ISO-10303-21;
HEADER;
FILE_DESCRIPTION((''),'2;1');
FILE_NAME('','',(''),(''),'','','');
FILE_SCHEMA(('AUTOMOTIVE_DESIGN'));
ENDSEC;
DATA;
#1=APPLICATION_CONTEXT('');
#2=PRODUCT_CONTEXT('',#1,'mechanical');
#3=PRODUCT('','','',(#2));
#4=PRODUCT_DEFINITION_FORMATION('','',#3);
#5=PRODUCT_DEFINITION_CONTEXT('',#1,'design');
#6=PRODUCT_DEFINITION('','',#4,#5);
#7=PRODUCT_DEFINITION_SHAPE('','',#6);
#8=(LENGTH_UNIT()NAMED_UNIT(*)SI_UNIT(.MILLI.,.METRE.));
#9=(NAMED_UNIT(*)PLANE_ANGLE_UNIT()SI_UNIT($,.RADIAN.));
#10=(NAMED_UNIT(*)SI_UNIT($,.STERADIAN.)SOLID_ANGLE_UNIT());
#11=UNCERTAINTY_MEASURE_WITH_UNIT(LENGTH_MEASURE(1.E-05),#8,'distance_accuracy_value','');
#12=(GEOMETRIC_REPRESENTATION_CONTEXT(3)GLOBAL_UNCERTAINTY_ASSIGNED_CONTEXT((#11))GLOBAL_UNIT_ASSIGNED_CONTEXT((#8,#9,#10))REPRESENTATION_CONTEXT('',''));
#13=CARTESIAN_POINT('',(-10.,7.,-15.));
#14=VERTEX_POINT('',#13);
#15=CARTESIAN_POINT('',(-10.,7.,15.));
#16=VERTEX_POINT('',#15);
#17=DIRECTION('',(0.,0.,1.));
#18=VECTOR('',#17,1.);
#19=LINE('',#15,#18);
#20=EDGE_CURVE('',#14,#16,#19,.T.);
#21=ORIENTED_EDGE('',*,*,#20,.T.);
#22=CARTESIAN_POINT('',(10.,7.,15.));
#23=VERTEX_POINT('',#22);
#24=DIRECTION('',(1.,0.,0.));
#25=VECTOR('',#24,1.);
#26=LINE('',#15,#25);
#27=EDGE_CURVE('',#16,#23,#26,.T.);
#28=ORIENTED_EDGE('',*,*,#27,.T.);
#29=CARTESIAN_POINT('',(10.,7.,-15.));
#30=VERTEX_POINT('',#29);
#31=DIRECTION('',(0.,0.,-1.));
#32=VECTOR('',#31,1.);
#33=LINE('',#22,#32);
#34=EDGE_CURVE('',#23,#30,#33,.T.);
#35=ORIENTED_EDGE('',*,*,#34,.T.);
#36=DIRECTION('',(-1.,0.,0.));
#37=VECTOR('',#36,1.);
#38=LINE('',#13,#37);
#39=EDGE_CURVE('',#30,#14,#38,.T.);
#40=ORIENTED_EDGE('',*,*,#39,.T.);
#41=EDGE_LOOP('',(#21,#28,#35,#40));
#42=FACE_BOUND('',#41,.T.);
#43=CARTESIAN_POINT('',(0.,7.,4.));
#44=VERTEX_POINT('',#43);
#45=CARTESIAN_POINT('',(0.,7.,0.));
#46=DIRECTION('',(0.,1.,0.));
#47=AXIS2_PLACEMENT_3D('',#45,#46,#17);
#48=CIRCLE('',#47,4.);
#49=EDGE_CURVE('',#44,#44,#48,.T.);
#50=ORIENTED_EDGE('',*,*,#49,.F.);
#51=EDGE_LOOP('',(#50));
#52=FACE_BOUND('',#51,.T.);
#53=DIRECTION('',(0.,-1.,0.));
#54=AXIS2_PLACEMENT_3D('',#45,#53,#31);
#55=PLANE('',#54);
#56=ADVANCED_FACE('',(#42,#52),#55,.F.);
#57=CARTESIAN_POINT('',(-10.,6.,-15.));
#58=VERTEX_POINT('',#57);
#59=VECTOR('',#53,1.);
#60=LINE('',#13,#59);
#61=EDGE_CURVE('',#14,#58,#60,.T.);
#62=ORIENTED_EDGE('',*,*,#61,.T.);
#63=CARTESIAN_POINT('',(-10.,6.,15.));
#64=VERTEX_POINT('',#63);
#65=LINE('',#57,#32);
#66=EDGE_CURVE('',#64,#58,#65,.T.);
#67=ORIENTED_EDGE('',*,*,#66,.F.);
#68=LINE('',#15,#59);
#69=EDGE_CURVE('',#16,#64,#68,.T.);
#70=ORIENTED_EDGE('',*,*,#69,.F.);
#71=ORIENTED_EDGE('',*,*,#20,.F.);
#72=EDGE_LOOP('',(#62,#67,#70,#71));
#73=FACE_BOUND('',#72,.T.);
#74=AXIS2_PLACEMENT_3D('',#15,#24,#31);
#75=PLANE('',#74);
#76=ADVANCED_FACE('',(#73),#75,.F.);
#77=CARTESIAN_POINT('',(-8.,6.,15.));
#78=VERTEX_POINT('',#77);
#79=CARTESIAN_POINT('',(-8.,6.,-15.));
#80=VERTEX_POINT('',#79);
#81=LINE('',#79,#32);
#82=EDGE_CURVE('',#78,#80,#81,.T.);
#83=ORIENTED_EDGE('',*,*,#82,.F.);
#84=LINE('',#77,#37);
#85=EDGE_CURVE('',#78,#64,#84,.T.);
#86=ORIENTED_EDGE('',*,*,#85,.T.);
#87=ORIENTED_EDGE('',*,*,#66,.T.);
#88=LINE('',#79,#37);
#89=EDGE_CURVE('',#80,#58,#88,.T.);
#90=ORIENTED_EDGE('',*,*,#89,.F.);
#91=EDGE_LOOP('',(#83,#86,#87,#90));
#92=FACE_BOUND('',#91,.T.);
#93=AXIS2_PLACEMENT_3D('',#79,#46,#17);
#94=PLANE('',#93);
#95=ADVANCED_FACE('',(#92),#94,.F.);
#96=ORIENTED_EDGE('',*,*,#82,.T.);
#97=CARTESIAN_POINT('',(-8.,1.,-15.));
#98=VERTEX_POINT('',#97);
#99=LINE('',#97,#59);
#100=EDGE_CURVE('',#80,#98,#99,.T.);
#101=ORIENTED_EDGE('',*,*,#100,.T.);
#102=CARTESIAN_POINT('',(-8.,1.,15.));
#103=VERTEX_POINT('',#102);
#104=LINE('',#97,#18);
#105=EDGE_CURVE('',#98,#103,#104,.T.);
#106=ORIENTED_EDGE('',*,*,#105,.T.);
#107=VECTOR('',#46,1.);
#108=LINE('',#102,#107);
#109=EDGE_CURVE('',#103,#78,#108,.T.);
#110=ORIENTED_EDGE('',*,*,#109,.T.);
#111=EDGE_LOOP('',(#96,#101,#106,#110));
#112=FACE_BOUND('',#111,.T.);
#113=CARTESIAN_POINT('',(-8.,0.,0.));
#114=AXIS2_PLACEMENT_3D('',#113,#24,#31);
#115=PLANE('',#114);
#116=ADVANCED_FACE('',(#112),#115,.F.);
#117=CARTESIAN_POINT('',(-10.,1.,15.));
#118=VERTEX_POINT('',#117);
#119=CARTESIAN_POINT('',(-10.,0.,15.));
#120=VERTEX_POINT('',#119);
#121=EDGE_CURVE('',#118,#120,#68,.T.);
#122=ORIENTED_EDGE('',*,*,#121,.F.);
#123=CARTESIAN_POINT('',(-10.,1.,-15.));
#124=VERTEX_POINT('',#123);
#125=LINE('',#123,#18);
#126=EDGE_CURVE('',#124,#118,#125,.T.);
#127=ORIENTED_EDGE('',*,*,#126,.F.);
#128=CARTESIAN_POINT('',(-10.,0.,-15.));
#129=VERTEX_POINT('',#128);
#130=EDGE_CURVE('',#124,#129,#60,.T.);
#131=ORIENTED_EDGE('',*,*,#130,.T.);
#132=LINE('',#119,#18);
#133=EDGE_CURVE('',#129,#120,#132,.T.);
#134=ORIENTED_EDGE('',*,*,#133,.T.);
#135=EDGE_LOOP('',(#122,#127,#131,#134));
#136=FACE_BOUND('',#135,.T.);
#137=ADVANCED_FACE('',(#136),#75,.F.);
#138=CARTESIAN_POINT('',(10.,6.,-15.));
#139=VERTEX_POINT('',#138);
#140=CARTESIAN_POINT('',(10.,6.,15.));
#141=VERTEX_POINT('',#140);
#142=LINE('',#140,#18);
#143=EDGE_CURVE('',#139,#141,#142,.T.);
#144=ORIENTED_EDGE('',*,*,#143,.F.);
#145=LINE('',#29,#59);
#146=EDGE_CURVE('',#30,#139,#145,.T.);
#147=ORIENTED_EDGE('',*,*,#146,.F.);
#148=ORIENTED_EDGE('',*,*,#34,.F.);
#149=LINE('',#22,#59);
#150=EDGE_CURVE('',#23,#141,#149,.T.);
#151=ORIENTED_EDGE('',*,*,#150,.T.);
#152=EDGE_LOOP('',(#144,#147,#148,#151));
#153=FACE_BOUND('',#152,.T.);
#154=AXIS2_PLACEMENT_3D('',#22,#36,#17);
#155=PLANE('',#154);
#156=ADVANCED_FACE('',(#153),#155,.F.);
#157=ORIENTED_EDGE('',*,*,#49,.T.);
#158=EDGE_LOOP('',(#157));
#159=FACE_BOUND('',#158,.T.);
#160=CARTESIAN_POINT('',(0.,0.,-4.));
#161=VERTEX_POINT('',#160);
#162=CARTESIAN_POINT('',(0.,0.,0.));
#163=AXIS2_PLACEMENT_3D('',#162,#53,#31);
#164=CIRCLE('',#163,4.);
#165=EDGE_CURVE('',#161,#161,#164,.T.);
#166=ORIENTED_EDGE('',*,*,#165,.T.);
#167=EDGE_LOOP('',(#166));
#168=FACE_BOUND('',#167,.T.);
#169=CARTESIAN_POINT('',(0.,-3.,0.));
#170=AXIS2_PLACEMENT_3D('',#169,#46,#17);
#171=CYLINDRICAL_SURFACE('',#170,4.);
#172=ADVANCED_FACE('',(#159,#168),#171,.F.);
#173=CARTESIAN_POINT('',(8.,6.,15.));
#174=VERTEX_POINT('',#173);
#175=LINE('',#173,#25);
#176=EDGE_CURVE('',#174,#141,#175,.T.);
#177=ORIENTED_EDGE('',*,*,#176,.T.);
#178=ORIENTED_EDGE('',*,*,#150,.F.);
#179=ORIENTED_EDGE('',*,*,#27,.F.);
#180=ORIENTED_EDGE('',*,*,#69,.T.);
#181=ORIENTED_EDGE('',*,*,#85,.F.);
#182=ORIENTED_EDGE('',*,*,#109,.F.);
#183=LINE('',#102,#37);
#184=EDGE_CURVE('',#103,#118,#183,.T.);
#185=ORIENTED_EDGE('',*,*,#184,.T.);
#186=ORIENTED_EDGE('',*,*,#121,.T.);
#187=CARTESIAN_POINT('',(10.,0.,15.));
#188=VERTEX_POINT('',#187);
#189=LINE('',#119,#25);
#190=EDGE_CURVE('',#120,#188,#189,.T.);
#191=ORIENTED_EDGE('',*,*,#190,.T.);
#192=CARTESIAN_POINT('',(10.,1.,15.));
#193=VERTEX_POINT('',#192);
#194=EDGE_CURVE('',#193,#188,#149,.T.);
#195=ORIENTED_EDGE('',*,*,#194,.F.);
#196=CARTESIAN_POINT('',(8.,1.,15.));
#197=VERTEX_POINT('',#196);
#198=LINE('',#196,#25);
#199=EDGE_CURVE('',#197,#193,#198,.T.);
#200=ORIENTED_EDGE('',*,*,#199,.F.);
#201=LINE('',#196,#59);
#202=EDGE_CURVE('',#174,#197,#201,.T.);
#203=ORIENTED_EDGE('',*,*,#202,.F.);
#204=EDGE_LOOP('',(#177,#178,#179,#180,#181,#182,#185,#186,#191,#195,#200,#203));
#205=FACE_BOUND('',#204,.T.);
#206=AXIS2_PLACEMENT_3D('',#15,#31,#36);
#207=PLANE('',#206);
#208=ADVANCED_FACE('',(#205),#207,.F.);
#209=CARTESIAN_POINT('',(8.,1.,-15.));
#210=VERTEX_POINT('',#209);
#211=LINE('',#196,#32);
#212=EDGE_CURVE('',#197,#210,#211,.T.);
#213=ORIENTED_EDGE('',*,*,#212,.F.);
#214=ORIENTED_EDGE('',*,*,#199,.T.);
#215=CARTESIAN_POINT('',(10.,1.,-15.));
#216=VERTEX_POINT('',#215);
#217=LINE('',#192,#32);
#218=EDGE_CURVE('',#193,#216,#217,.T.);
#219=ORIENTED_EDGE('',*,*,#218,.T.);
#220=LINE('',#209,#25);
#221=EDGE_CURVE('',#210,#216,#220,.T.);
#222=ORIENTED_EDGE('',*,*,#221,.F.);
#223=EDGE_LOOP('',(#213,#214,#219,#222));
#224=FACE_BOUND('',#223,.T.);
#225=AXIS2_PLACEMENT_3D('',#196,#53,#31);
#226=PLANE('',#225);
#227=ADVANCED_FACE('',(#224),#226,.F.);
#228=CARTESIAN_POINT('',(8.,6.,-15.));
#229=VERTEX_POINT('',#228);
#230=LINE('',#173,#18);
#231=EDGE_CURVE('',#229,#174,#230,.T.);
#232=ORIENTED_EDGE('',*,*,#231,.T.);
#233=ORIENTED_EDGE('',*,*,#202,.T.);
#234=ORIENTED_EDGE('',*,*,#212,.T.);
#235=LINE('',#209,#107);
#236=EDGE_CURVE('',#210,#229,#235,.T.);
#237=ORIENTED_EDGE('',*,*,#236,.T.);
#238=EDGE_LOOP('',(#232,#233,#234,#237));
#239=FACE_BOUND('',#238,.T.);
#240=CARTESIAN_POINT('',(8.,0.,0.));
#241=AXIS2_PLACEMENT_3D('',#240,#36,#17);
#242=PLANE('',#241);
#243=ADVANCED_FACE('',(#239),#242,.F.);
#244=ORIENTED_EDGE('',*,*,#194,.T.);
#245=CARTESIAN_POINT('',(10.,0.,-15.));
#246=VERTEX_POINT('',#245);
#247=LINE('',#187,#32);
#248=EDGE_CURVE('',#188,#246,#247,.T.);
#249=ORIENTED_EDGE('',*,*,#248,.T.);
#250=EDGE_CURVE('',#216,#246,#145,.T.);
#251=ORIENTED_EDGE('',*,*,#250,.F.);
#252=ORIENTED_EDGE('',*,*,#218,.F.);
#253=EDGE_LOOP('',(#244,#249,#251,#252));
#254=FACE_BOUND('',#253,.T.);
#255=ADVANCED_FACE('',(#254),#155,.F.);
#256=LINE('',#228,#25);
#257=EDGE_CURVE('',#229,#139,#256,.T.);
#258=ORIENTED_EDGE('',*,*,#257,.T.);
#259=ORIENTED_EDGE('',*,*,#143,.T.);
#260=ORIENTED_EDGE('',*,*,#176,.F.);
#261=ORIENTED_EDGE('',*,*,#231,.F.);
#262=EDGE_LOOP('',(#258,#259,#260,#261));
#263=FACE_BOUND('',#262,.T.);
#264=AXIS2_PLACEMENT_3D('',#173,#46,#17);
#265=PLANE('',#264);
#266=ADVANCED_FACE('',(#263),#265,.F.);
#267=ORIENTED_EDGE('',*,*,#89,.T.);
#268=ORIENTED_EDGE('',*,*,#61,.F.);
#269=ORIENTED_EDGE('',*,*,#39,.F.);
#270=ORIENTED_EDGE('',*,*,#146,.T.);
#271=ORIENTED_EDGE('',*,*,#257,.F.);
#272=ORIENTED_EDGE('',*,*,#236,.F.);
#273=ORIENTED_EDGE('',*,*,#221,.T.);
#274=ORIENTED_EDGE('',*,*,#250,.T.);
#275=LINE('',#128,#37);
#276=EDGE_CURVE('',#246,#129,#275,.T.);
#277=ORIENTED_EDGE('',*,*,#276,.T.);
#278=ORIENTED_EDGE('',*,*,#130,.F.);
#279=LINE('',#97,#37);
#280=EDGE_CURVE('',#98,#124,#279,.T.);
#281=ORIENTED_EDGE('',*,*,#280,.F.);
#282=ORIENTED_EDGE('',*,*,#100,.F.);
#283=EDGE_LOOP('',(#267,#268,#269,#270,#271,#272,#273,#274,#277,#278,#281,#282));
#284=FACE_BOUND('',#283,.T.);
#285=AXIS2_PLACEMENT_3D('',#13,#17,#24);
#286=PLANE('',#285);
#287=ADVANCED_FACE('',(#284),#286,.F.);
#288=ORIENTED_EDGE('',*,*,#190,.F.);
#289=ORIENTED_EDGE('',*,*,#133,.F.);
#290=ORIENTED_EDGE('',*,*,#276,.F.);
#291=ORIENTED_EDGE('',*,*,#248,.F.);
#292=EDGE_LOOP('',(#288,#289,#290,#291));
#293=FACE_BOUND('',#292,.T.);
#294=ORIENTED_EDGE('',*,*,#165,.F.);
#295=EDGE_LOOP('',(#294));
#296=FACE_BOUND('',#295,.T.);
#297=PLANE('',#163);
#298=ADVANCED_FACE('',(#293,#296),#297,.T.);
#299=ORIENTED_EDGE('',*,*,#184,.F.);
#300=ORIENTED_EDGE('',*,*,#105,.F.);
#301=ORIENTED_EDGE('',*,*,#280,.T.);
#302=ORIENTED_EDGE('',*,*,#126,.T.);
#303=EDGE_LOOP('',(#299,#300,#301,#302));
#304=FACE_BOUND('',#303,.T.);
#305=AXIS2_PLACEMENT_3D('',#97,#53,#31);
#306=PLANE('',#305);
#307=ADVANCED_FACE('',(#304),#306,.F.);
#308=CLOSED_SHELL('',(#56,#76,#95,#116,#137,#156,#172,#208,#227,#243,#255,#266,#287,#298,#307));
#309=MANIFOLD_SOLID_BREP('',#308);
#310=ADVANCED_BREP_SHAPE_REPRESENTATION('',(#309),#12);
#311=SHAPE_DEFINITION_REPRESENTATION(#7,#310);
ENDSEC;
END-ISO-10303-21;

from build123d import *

# Parameters (mm, degrees)
SKETCH1_W           = 20
SKETCH1_H           = 30
BOSS_EXTRUDE1_DEPTH = 7
SKETCH2_W           = 30
SKETCH2_H           = 5
CUT_EXTRUDE1_DEPTH  = 2
SKETCH3_W           = 30
SKETCH3_H           = 5
CUT_EXTRUDE2_DEPTH  = 2
SKETCH4_R           = 4
CUT_EXTRUDE3_DEPTH  = 10


with BuildPart() as part:
    # Sketch1 → Boss-Extrude1 (new body)
    with BuildSketch(Plane(origin=(0, 0, 0), x_dir=(1, 0, 0), z_dir=(0, 1, 0))):
        Rectangle(SKETCH1_W, SKETCH1_H)
    extrude(amount=BOSS_EXTRUDE1_DEPTH)

    # Sketch2 → Cut-Extrude1 (cut)
    with BuildSketch(Plane(origin=(10, 0, 0), x_dir=(0, 0, -1), z_dir=(1, 0, 0))):
        with Locations((0, 3.5)):
            Rectangle(SKETCH2_W, SKETCH2_H)
    extrude(amount=-CUT_EXTRUDE1_DEPTH, mode=Mode.SUBTRACT)

    # Sketch3 → Cut-Extrude2 (cut)
    with BuildSketch(Plane.ZY.offset(10)):
        with Locations((0, 3.5)):
            Rectangle(SKETCH3_W, SKETCH3_H)
    extrude(amount=-CUT_EXTRUDE2_DEPTH, mode=Mode.SUBTRACT)

    # Sketch4 → Cut-Extrude3 (cut)
    with BuildSketch(Plane(origin=(0, 7, 0), x_dir=(1, 0, 0), z_dir=(0, 1, 0))):
        Circle(SKETCH4_R)
    extrude(amount=-CUT_EXTRUDE3_DEPTH, mode=Mode.SUBTRACT)


solid = part.part
